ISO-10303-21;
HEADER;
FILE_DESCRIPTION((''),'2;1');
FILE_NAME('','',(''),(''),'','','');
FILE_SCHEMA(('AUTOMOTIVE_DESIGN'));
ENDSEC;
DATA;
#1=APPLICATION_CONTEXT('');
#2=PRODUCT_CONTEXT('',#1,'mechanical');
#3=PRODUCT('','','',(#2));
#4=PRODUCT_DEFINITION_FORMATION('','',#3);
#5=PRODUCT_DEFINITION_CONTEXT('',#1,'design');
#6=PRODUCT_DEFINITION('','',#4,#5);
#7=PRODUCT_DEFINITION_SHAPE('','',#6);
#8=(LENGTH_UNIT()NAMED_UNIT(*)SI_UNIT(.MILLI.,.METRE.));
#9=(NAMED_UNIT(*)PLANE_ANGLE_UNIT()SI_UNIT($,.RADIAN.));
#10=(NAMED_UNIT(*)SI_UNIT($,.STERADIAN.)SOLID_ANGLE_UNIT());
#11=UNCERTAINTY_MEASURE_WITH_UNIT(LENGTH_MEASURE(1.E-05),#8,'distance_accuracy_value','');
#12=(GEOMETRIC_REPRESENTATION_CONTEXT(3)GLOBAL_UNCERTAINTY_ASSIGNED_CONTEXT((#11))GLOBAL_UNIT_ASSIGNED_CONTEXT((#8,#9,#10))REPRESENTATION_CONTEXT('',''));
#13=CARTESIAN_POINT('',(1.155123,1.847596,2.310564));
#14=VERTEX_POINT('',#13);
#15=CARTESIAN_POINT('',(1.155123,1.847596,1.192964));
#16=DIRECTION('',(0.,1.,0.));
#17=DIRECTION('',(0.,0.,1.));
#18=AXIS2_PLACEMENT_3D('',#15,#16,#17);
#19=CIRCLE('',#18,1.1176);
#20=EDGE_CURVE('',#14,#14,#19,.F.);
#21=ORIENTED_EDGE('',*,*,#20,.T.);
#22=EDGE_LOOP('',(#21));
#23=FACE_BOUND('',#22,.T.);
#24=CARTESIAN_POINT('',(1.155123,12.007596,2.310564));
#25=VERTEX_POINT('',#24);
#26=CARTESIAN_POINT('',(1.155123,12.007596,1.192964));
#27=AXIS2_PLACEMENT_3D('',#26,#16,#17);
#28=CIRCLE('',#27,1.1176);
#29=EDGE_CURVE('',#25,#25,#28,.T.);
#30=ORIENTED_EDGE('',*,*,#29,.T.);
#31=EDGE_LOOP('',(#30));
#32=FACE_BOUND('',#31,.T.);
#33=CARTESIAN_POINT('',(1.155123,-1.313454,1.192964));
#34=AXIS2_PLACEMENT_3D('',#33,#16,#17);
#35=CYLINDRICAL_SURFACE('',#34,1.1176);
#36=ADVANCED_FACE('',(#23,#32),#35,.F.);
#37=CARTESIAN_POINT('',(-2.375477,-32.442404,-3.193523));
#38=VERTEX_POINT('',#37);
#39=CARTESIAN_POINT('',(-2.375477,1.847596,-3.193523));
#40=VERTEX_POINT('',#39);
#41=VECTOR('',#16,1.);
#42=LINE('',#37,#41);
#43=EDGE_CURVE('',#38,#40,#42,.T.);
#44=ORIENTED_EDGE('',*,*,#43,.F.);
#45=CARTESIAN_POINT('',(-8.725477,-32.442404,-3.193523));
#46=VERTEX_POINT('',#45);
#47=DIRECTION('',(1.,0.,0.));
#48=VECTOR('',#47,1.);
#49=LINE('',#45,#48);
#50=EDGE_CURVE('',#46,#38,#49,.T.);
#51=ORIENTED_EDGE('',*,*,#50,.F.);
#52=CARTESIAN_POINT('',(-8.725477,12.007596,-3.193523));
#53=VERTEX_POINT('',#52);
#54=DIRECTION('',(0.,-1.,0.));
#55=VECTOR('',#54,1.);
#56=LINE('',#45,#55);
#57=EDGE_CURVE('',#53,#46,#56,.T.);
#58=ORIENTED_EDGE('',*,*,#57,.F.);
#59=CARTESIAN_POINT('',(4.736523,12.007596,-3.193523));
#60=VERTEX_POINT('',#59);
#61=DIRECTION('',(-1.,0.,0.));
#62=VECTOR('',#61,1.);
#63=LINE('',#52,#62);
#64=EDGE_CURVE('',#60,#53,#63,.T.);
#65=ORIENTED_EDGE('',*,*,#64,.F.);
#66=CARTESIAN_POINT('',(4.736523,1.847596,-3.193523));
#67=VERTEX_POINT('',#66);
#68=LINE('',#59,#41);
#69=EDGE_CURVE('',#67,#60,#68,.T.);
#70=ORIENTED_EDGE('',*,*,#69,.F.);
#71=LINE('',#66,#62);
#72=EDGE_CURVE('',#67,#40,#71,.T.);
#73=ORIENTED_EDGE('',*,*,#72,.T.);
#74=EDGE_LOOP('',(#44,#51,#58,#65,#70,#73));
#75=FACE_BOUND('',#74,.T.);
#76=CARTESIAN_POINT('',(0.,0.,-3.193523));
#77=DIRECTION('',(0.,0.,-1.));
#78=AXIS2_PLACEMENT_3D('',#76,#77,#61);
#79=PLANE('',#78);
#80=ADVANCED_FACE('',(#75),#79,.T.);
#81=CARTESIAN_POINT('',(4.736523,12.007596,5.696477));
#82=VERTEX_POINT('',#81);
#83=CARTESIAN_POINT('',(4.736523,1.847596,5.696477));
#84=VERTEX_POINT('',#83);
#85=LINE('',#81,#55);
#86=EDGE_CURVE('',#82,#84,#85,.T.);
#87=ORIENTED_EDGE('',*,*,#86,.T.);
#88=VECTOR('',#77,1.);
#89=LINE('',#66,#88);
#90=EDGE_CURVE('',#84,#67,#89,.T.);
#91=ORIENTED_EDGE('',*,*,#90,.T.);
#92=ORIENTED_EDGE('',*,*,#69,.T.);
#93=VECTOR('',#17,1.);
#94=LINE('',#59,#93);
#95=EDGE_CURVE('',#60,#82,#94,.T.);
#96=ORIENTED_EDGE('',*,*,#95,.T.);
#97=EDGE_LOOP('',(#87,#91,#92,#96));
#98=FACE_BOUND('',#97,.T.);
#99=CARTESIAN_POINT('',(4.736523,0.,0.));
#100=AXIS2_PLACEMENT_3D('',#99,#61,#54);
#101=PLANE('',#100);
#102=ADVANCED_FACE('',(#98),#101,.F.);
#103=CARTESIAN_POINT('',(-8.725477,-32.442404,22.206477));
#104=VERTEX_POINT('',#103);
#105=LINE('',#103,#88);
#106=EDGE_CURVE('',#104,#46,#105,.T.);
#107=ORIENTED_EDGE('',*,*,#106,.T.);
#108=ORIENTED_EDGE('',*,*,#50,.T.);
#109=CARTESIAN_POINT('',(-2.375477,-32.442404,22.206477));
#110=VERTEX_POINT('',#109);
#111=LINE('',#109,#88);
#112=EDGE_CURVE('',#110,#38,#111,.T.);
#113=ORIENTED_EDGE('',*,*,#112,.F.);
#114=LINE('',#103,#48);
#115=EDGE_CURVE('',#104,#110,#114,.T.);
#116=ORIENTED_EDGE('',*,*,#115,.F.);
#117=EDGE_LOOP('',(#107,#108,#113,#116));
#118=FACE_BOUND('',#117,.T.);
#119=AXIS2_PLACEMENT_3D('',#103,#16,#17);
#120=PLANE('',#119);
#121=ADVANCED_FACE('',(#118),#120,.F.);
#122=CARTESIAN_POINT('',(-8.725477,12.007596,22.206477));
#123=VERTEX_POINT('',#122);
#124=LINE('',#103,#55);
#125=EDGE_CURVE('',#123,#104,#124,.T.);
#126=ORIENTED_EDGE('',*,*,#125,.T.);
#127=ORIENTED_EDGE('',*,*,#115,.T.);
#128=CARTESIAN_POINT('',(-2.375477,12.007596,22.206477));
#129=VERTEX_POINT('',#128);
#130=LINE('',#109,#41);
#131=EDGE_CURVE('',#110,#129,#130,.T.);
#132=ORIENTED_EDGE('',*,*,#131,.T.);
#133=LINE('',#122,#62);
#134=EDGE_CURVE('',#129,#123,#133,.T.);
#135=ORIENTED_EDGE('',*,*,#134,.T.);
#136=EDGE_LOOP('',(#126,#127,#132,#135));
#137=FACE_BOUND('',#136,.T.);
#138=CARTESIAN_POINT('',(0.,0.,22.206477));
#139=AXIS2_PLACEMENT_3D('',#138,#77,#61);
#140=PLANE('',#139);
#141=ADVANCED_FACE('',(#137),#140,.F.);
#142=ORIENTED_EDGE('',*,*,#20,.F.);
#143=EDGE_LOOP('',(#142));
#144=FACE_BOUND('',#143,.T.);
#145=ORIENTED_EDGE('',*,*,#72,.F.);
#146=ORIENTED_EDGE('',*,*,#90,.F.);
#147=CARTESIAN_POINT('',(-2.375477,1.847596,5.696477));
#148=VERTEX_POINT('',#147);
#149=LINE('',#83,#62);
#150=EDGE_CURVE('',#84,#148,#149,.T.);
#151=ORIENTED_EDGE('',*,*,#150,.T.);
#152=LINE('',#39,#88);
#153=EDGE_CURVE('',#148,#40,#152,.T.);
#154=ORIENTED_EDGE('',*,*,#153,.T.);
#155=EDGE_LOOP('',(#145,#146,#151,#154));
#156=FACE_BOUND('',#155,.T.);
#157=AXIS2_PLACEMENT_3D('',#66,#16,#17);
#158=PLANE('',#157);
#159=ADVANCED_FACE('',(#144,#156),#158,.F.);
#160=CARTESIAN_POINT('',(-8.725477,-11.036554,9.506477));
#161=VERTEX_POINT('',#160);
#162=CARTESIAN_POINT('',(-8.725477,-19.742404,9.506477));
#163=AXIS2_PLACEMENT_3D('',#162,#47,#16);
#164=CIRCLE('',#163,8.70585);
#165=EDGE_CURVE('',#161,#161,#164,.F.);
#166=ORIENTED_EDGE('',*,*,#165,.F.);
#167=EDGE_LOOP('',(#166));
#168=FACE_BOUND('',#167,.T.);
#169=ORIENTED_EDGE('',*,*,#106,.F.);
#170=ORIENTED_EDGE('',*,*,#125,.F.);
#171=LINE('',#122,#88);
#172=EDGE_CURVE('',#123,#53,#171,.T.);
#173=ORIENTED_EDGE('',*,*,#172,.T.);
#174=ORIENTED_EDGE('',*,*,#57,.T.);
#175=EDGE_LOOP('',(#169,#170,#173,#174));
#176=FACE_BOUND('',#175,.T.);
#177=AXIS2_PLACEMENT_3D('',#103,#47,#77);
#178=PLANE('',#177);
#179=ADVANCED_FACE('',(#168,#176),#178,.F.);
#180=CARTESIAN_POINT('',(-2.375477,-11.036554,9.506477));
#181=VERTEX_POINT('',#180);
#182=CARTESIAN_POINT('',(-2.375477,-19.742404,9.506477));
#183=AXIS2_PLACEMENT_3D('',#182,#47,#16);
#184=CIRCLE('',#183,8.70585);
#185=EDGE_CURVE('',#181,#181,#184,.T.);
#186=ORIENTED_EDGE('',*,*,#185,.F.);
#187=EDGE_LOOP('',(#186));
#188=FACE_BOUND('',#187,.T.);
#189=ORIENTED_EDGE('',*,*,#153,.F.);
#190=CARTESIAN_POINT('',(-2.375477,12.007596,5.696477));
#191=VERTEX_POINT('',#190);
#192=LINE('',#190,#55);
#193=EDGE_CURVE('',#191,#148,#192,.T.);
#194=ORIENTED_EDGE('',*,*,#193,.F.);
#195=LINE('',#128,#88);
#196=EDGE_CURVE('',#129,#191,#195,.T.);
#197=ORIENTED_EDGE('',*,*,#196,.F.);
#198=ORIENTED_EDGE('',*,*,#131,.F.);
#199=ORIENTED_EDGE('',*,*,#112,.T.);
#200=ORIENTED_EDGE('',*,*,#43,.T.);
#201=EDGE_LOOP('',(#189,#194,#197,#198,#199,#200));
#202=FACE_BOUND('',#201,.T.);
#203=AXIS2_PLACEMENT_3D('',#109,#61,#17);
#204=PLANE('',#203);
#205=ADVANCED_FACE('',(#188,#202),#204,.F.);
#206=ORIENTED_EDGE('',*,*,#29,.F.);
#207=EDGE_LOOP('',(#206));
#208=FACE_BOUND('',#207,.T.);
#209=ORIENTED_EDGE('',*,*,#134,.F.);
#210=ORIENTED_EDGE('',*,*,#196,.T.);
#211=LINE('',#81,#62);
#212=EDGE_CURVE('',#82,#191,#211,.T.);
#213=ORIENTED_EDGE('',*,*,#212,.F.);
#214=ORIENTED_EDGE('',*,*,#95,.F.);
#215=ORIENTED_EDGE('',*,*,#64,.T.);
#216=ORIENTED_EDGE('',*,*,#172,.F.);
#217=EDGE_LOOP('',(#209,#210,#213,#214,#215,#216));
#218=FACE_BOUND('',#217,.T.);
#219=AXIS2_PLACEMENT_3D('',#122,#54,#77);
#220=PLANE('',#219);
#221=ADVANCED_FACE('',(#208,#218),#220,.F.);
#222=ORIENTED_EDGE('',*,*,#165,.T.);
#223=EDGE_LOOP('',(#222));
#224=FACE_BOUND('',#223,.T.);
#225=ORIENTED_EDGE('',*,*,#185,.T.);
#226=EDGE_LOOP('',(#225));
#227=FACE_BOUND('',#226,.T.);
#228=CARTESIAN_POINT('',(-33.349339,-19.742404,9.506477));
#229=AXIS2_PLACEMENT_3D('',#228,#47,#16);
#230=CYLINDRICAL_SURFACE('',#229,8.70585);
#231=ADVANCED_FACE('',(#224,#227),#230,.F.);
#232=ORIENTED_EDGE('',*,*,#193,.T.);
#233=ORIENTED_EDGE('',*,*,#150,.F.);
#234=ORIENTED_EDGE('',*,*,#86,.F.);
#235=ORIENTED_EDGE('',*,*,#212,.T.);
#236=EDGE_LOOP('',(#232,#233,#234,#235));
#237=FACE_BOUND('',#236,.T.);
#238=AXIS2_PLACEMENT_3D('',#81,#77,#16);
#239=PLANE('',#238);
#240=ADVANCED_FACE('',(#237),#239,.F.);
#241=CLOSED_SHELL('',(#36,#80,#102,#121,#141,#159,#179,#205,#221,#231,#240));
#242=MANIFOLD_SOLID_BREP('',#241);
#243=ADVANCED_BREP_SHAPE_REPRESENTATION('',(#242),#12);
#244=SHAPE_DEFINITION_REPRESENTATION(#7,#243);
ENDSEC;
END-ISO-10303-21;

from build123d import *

# Parameters (mm, degrees)
SKETCH1_W           = 6.35
SKETCH1_H           = 44.45
BOSS_EXTRUDE1_DEPTH = 25.4
SKETCH2_W           = 8.89
SKETCH2_H           = 10.16
BOSS_EXTRUDE2_DEPTH = 7.112
SKETCH4_R           = 6.441586538
CUT_EXTRUDE1_DEPTH  = 6.35
CUT_EXTRUDE2_REACH  = 41.953
SKETCH3_R           = 8.70585
SKETCH5_R           = 1.1176
SKETCH5_R_2         = 0.9906
CUT_EXTRUDE3_DEPTH  = 10.16


with BuildPart() as part:
    # Sketch1 → Boss-Extrude1 (new body)
    with BuildSketch(Plane.XY.offset(-3.193523187)):
        with Locations((-5.550476906, -10.21740419)):
            Rectangle(SKETCH1_W, SKETCH1_H)
    extrude(amount=BOSS_EXTRUDE1_DEPTH)

    # Sketch2 → Boss-Extrude2 (add)
    with BuildSketch(Plane(origin=(-2.375476906, 0, 0), x_dir=(0, 0, -1), z_dir=(1, 0, 0))):
        with Locations((-1.251476813, 6.92759581)):
            Rectangle(SKETCH2_W, SKETCH2_H)
    extrude(amount=BOSS_EXTRUDE2_DEPTH)

    # Sketch4 → Cut-Extrude1 (cut)
    with BuildSketch(Plane(origin=(-2.375476906, 0, 0), x_dir=(0, 0, -1), z_dir=(1, 0, 0))):
        with Locations(Location((-9.506476813, -19.74240419, 0), (0, 0, 90))):
            Circle(SKETCH4_R)
    extrude(amount=-CUT_EXTRUDE1_DEPTH, mode=Mode.SUBTRACT)

    # Sketch3 → Cut-Extrude2 (cut, up to next)
    with BuildSketch(Plane(origin=(-2.375476906, 0, 0), x_dir=(0, 0, -1), z_dir=(1, 0, 0)), mode=Mode.PRIVATE) as cut_extrude2_sk1:
        with Locations(Location((-9.506476813, -19.74240419, 0), (0, 0, 90))):
            Circle(SKETCH3_R)
    cut_extrude2_tool1 = extrude(cut_extrude2_sk1.sketch, amount=-CUT_EXTRUDE2_REACH, mode=Mode.PRIVATE) & part.part
    add(cut_extrude2_tool1.solids().sort_by_distance((-2.375477, -19.742404, 9.506477))[0], mode=Mode.SUBTRACT)

    # Sketch5 → Cut-Extrude3 (cut)
    with BuildSketch(Plane(origin=(0, 12.00759581, 0), x_dir=(1, 0, 0), z_dir=(0, 1, 0))):
        with Locations(Location((1.155123094, -1.192963507, 0), (0, 0, 270))):
            Circle(SKETCH5_R)
        with Locations((1.155123094, -1.192963507)):
            Circle(SKETCH5_R_2, mode=Mode.SUBTRACT)
        with Locations((1.155123094, -1.192963507)):
            Circle(SKETCH5_R_2)
    extrude(amount=-CUT_EXTRUDE3_DEPTH, mode=Mode.SUBTRACT)


solid = part.part
